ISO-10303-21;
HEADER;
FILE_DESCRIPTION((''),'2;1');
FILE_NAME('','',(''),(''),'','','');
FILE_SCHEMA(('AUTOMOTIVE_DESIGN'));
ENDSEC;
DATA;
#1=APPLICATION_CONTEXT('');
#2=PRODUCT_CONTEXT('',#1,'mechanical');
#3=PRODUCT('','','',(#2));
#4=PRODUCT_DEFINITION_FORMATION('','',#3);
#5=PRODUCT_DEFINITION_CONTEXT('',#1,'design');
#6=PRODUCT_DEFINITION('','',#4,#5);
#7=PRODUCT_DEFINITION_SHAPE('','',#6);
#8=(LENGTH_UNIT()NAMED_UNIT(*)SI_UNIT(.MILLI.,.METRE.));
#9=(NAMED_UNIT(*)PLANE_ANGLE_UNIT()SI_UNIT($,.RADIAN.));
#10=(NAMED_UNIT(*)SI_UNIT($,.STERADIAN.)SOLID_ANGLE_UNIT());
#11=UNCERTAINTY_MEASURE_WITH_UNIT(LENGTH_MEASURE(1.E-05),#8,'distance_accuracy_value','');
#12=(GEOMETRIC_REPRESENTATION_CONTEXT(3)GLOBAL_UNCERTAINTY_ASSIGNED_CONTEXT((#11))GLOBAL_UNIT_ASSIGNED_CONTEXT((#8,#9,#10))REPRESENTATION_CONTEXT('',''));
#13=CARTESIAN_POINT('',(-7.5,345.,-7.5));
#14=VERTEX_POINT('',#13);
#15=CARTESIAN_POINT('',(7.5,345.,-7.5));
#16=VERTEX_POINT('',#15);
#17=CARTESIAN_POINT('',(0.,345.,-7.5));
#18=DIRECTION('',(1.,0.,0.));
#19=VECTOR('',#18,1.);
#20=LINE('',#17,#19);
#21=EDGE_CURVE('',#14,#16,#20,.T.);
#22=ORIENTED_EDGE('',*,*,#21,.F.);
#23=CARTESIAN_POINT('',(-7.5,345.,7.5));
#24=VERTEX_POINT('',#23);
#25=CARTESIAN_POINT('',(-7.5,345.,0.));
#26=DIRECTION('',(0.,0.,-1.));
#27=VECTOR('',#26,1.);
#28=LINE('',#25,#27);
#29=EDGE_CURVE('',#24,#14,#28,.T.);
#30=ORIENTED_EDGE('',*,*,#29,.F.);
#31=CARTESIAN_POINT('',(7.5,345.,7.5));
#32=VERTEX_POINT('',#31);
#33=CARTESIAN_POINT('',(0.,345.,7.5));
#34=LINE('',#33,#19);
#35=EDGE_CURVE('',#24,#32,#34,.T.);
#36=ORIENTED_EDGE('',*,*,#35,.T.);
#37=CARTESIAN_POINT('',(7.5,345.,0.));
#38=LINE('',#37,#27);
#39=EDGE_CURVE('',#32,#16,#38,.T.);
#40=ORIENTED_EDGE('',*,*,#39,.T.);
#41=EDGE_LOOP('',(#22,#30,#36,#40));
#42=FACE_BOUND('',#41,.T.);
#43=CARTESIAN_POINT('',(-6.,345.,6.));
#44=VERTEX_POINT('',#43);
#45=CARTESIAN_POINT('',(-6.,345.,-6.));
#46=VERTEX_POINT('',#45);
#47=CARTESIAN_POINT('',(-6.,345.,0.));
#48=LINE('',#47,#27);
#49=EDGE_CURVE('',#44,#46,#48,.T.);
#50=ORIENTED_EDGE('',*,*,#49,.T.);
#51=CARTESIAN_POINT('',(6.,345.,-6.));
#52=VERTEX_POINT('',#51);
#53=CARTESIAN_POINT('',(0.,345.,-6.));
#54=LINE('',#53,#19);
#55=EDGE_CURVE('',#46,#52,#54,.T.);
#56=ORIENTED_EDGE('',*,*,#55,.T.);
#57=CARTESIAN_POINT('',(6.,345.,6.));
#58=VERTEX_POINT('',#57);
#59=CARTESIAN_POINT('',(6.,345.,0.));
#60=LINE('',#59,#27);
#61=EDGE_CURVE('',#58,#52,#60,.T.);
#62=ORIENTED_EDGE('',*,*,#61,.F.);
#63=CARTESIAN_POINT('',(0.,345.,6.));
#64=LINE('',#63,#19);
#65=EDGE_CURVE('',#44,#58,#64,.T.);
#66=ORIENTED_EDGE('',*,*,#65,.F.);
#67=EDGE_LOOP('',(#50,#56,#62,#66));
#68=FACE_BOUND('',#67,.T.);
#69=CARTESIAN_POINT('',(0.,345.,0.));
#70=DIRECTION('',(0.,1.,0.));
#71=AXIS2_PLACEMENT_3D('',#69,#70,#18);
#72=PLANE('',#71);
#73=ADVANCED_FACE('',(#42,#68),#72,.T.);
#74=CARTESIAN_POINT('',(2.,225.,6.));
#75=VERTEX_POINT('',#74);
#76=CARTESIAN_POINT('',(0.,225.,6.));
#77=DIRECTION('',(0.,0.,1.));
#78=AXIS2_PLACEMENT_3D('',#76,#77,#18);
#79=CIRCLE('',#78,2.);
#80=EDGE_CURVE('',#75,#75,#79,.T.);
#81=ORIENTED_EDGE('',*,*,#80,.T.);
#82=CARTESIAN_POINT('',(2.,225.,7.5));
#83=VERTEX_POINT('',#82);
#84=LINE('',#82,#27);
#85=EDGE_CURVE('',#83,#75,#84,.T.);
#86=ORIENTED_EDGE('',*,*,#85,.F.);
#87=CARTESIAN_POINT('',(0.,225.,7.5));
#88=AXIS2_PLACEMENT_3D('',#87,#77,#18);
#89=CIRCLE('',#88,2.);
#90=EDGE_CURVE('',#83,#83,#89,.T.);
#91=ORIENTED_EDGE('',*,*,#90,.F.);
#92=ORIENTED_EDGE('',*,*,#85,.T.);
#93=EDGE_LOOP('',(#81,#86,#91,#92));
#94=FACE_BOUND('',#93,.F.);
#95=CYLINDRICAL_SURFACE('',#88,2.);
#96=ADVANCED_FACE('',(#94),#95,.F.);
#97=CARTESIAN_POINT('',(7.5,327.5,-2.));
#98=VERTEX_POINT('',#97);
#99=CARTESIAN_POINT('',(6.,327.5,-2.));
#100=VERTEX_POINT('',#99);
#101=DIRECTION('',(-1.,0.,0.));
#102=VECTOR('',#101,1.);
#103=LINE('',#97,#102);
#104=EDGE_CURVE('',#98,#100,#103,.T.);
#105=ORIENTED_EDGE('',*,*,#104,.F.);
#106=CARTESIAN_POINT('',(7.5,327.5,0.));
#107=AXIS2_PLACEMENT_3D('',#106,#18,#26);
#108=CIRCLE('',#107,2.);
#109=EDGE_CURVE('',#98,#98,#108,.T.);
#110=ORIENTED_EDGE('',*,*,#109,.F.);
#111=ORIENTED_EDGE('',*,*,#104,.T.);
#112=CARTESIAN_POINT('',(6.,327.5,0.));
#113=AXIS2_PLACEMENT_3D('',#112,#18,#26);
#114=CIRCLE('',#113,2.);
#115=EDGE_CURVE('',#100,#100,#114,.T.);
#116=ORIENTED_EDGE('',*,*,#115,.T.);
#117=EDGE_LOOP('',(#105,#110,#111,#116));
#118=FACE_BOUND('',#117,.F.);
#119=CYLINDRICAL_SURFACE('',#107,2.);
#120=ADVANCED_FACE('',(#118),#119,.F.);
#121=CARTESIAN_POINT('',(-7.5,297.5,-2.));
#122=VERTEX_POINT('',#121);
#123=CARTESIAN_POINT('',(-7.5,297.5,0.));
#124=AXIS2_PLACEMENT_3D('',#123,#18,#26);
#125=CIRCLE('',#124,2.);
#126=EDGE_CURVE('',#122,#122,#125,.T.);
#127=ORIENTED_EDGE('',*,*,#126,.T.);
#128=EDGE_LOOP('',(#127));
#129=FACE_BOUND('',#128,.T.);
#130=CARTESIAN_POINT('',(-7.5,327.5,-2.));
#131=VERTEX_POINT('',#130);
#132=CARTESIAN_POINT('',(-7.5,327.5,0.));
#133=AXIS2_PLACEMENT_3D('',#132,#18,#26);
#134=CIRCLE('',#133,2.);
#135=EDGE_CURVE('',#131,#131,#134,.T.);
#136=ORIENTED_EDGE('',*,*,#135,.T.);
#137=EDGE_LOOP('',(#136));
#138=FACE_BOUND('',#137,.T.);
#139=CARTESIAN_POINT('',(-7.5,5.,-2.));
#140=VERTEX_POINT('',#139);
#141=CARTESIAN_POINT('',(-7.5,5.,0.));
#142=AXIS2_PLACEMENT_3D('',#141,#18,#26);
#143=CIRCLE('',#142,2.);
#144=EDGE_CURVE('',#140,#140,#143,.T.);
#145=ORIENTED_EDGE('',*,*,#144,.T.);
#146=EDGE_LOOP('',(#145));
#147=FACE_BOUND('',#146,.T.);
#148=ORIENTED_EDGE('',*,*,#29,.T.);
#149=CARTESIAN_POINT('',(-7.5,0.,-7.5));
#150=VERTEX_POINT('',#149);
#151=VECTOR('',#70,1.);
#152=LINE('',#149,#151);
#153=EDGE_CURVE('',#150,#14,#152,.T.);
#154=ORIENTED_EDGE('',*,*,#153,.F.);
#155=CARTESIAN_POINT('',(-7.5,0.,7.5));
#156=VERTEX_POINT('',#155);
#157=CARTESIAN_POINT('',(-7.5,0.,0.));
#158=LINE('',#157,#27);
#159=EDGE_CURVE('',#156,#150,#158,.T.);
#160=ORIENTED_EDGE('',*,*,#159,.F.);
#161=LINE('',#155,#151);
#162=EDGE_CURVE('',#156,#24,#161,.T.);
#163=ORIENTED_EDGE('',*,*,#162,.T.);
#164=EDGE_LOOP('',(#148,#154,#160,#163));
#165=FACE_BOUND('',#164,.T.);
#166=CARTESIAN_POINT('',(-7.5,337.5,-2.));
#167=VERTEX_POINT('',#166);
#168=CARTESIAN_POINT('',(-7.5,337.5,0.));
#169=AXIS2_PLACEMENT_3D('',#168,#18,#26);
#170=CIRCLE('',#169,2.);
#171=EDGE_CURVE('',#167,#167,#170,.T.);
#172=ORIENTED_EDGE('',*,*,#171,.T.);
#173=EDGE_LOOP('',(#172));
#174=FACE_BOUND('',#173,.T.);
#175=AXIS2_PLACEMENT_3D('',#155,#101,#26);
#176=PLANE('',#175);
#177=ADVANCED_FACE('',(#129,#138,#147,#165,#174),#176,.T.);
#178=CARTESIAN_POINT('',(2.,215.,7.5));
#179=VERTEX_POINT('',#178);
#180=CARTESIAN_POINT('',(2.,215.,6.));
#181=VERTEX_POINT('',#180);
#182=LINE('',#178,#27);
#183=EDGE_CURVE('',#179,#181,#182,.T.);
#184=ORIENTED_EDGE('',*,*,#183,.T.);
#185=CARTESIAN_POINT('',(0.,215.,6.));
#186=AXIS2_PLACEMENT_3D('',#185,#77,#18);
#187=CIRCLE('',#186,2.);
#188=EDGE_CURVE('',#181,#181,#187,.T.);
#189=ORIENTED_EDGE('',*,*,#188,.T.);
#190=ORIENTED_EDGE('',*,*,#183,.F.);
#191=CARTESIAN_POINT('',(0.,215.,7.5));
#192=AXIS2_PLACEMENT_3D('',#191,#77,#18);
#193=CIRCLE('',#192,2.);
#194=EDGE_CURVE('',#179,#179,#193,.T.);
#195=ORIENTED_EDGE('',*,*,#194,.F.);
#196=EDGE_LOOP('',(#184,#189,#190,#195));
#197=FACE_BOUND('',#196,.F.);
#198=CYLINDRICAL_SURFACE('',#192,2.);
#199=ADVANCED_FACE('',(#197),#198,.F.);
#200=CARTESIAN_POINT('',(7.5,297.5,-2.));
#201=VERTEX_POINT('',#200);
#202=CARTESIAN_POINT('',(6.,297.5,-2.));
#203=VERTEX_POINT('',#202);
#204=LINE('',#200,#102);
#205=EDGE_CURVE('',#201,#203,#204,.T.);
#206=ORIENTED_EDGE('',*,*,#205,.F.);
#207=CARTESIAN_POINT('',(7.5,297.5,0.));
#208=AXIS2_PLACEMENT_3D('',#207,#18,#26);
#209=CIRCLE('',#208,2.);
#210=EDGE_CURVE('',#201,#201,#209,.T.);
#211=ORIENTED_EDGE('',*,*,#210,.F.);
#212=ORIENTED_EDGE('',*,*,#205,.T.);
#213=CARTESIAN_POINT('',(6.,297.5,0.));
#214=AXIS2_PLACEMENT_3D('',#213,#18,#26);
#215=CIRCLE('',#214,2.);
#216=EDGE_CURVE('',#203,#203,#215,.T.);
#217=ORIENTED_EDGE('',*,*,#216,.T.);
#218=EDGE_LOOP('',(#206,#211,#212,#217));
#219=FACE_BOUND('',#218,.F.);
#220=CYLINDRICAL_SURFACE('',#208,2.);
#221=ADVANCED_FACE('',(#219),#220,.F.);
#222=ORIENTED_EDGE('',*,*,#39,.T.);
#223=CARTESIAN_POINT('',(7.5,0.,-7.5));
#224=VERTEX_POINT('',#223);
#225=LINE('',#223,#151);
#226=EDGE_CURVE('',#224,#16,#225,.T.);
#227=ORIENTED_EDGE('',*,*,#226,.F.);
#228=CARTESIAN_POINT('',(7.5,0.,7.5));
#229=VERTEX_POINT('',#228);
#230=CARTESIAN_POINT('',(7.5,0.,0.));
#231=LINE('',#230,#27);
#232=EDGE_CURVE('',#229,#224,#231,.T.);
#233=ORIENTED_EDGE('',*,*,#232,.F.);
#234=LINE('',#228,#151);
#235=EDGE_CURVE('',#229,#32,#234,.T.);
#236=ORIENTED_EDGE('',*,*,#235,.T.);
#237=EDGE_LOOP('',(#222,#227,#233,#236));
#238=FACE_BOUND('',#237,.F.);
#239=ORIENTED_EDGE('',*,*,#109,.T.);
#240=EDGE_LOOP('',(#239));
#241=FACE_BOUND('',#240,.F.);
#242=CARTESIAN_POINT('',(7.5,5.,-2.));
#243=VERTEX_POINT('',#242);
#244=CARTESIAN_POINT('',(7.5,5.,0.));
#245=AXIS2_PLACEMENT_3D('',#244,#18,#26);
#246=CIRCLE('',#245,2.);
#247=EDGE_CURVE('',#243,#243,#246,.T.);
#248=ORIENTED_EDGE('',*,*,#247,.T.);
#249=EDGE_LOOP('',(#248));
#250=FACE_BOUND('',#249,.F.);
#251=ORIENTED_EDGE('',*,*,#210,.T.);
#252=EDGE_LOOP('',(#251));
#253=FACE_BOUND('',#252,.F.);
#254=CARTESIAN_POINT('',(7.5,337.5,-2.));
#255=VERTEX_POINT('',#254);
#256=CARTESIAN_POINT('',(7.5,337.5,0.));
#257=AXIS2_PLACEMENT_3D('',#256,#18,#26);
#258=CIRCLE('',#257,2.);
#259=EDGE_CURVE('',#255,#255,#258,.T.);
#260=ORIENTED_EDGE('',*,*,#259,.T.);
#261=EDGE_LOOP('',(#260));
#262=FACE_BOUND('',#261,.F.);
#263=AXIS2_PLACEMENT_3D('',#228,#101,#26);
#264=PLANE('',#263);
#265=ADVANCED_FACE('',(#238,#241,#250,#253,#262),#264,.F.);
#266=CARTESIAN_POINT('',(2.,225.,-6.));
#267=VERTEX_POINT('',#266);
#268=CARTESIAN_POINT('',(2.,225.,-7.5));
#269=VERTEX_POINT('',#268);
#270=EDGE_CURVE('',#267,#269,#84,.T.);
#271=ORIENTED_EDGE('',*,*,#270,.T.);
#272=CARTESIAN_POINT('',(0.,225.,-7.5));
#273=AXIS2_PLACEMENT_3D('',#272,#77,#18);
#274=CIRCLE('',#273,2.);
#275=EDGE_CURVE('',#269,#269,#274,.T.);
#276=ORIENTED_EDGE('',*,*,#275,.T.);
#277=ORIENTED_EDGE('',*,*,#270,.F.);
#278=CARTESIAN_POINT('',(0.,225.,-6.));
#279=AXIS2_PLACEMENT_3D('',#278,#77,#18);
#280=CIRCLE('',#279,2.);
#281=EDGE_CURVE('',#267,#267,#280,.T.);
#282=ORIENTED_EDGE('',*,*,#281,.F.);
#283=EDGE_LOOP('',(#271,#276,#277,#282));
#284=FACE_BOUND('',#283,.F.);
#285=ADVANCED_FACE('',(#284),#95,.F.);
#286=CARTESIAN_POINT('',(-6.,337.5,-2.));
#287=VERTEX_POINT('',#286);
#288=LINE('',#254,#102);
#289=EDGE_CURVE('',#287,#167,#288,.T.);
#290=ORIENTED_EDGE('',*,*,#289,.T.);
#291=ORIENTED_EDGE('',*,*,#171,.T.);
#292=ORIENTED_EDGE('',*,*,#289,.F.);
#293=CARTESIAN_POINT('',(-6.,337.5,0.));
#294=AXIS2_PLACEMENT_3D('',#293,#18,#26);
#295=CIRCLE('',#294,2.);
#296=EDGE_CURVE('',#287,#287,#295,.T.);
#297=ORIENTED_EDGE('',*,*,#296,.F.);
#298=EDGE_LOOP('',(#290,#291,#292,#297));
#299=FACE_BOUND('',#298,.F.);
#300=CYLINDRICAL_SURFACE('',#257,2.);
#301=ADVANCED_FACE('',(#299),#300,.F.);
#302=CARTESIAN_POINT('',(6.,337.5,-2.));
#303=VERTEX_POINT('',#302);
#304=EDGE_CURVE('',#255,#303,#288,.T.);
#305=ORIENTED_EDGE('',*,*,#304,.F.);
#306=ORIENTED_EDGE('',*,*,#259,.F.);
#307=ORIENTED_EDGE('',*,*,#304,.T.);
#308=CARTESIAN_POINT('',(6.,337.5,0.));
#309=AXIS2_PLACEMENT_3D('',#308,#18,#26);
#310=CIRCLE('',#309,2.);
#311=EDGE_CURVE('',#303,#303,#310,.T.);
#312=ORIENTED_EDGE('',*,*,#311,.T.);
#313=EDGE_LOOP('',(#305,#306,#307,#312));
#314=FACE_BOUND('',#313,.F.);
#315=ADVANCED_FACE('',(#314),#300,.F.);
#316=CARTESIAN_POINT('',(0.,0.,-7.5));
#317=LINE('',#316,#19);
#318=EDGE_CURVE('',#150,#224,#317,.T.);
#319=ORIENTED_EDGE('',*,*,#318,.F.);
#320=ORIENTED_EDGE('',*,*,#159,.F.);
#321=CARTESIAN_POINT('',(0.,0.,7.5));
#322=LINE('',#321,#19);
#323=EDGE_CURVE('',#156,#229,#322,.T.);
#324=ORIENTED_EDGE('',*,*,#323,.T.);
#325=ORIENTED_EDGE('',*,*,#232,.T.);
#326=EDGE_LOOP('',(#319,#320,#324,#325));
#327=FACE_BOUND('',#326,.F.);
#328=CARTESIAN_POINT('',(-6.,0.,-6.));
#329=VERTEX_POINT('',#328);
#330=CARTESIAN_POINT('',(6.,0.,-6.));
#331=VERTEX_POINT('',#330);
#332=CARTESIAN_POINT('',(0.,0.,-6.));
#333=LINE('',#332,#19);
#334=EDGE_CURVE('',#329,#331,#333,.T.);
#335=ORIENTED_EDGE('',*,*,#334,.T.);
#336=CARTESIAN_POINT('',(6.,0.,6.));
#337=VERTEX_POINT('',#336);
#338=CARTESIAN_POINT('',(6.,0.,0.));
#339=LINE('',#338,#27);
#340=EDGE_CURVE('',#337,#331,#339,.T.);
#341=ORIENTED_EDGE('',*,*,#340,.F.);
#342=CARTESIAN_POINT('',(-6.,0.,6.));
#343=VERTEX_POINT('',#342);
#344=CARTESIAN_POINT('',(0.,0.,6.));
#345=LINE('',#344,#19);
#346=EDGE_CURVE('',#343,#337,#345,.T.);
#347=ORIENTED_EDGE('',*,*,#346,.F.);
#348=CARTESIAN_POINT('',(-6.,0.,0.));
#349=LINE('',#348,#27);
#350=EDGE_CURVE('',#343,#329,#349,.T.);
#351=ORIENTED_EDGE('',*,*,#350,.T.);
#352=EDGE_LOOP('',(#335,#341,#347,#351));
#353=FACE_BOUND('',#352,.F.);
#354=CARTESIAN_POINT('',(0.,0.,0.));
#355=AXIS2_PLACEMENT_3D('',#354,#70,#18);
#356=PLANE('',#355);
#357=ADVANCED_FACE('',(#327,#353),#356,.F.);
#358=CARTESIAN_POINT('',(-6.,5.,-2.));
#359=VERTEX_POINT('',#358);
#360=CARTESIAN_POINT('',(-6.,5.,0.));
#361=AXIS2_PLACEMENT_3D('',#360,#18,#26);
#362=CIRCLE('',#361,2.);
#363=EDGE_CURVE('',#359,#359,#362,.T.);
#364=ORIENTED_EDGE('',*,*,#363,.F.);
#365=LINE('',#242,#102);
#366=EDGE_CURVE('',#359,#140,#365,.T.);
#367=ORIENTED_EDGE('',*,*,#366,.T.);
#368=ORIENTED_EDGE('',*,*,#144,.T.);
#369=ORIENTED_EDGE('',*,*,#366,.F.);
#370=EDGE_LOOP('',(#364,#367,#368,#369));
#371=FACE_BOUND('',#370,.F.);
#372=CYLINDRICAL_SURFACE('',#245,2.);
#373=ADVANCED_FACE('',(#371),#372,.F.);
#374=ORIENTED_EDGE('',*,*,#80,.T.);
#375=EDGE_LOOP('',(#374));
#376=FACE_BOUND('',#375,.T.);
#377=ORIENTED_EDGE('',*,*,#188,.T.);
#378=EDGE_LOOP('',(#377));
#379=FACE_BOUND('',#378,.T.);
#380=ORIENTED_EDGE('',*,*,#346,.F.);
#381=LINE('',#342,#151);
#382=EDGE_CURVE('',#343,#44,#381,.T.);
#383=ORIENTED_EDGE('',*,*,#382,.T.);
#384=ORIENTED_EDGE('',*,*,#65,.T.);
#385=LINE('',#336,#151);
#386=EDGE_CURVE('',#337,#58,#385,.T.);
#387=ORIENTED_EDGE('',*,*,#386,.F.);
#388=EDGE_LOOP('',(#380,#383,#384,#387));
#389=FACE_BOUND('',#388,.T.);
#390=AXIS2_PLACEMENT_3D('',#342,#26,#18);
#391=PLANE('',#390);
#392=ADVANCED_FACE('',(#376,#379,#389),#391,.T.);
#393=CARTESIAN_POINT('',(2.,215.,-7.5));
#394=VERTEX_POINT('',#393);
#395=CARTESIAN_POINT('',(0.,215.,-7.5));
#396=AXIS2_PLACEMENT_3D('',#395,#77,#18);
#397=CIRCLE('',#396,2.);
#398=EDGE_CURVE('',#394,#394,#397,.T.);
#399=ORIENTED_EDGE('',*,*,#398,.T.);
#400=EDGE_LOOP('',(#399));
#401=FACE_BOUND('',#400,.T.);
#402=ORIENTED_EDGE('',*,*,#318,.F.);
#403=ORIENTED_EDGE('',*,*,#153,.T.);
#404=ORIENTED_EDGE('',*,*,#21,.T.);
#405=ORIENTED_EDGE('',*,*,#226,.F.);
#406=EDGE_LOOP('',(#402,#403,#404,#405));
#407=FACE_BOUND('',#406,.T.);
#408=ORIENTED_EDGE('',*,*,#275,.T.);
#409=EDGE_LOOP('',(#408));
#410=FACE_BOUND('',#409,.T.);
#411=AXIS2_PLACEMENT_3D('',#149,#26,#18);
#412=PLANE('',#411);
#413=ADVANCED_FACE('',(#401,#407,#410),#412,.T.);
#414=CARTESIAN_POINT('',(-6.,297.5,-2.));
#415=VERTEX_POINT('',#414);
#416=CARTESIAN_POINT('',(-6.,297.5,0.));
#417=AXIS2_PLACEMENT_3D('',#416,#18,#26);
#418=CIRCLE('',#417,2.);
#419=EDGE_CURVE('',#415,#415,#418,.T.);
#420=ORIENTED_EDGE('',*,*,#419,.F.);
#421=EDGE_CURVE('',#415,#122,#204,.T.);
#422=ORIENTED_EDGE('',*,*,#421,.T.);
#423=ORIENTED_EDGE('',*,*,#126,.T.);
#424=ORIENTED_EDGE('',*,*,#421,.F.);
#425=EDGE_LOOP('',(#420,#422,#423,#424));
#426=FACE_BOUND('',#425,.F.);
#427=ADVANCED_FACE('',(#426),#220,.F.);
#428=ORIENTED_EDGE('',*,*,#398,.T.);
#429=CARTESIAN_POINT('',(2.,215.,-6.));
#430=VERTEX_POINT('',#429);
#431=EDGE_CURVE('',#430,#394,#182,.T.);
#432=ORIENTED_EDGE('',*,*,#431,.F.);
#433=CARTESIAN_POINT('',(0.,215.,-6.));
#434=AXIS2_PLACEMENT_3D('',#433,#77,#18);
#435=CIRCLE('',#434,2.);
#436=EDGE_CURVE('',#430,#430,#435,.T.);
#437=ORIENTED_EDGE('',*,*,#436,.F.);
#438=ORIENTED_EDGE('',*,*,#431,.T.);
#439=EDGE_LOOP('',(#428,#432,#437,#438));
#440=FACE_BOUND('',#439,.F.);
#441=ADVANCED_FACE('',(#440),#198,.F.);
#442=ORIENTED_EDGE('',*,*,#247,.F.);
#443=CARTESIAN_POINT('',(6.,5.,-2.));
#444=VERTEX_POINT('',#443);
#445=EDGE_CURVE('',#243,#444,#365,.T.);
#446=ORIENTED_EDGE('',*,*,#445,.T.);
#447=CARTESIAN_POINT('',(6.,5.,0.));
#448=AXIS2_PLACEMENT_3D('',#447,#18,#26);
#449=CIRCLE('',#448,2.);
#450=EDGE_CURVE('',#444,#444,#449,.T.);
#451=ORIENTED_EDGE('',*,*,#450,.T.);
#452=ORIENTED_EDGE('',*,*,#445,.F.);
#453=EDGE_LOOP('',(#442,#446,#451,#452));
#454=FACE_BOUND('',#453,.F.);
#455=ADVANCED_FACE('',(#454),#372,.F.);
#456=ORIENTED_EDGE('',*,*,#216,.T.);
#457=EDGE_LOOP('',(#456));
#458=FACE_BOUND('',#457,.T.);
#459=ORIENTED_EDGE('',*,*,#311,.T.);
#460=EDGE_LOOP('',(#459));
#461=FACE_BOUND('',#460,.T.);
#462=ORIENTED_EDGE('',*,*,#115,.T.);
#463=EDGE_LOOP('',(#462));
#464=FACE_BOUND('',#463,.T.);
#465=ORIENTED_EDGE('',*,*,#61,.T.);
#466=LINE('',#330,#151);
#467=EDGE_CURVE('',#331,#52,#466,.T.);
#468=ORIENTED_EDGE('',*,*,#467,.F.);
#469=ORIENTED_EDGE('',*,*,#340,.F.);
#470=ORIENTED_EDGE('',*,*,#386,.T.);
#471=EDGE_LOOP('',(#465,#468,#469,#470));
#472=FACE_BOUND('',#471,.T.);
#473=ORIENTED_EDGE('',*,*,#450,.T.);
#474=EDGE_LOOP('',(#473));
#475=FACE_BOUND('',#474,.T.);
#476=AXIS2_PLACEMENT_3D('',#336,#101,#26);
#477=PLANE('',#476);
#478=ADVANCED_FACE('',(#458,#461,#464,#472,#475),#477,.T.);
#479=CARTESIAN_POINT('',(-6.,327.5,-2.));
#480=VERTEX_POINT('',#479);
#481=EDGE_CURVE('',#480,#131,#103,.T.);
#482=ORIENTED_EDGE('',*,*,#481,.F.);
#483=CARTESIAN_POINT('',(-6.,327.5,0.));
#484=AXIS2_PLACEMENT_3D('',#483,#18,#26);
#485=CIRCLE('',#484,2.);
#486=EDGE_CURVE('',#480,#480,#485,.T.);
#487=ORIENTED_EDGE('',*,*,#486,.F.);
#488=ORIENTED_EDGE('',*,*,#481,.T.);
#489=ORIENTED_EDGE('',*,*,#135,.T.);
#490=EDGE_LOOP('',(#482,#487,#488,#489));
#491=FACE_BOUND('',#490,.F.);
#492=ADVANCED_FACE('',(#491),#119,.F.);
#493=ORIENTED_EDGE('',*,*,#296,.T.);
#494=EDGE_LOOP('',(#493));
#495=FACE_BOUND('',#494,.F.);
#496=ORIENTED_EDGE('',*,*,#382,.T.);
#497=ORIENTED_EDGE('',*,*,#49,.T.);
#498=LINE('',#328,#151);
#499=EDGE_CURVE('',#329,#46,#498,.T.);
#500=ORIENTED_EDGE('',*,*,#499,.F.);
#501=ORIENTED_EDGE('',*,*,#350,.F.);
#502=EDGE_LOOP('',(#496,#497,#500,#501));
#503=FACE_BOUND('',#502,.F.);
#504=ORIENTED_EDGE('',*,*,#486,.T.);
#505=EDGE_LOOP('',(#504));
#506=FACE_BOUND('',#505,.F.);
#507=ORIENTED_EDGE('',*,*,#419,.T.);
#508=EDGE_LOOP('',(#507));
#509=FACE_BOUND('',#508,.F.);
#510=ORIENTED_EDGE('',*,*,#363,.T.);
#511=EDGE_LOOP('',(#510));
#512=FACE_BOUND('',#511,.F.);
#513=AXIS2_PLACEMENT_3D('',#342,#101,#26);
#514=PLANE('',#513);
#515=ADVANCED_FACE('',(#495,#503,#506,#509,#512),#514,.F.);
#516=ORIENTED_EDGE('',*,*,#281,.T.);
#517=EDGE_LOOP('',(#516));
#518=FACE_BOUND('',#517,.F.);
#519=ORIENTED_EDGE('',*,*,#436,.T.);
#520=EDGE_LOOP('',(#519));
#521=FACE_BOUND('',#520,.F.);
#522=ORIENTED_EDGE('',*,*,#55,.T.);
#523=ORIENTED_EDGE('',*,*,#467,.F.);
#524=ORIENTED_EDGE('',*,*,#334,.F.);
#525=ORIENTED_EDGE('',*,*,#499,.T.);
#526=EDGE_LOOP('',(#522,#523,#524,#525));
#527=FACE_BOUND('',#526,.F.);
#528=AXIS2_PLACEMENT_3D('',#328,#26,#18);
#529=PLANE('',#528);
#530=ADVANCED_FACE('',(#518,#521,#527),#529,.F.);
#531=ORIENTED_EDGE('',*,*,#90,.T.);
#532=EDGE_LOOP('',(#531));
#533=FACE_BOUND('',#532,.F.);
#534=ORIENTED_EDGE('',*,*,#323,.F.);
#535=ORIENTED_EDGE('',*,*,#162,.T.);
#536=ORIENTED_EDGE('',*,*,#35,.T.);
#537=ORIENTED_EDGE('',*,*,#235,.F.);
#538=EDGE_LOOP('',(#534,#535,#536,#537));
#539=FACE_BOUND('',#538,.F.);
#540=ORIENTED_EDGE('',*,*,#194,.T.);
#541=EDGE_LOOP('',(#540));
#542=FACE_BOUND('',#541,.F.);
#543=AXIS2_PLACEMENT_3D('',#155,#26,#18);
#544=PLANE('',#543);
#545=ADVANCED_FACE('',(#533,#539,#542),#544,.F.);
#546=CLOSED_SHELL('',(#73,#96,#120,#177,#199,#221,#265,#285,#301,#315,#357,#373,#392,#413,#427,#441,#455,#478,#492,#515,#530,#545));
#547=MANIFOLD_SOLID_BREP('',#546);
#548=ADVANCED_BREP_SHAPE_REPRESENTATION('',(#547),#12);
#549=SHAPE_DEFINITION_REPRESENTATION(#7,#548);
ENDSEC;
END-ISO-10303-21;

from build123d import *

# Parameters (mm, degrees)
SKETCH_1_W          = 15
SKETCH_1_H          = 15
SKETCH_1_W_2        = 12
SKETCH_1_H_2        = 12
EXTRUDE_1_DEPTH     = 345
SKETCH_2_R          = 2
CUT_EXTRUDE_1_DEPTH = 346.40736819
SKETCH_3_R          = 2
CUT_EXTRUDE_2_DEPTH = 346.40736819


with BuildPart() as part:
    # ｽｹｯﾁ1 → 押し出し-薄板1 (new body)
    with BuildSketch(Plane(origin=(0, 0, 0), x_dir=(1, 0, 0), z_dir=(0, 1, 0))):
        Rectangle(SKETCH_1_W, SKETCH_1_H)
        Rectangle(SKETCH_1_W_2, SKETCH_1_H_2, mode=Mode.SUBTRACT)
    extrude(amount=EXTRUDE_1_DEPTH)

    # ｽｹｯﾁ2 → ｶｯﾄ - 押し出し1 (cut, through all)
    with BuildSketch(Plane(origin=(7.5, 0, 0), x_dir=(0, 0, -1), z_dir=(1, 0, 0))):
        with Locations((0, 5)):
            Circle(SKETCH_2_R)
        with Locations((0, 297.5)):
            Circle(SKETCH_2_R)
        with Locations((0, 337.5)):
            Circle(SKETCH_2_R)
        with Locations((0, 327.5)):
            Circle(SKETCH_2_R)
    extrude(amount=-CUT_EXTRUDE_1_DEPTH, mode=Mode.SUBTRACT)

    # ｽｹｯﾁ3 → ｶｯﾄ - 押し出し2 (cut, through all)
    with BuildSketch(Plane.XY.offset(7.5)):
        with Locations((0, 225)):
            Circle(SKETCH_3_R)
        with Locations((0, 215)):
            Circle(SKETCH_3_R)
    extrude(amount=-CUT_EXTRUDE_2_DEPTH, mode=Mode.SUBTRACT)


solid = part.part
